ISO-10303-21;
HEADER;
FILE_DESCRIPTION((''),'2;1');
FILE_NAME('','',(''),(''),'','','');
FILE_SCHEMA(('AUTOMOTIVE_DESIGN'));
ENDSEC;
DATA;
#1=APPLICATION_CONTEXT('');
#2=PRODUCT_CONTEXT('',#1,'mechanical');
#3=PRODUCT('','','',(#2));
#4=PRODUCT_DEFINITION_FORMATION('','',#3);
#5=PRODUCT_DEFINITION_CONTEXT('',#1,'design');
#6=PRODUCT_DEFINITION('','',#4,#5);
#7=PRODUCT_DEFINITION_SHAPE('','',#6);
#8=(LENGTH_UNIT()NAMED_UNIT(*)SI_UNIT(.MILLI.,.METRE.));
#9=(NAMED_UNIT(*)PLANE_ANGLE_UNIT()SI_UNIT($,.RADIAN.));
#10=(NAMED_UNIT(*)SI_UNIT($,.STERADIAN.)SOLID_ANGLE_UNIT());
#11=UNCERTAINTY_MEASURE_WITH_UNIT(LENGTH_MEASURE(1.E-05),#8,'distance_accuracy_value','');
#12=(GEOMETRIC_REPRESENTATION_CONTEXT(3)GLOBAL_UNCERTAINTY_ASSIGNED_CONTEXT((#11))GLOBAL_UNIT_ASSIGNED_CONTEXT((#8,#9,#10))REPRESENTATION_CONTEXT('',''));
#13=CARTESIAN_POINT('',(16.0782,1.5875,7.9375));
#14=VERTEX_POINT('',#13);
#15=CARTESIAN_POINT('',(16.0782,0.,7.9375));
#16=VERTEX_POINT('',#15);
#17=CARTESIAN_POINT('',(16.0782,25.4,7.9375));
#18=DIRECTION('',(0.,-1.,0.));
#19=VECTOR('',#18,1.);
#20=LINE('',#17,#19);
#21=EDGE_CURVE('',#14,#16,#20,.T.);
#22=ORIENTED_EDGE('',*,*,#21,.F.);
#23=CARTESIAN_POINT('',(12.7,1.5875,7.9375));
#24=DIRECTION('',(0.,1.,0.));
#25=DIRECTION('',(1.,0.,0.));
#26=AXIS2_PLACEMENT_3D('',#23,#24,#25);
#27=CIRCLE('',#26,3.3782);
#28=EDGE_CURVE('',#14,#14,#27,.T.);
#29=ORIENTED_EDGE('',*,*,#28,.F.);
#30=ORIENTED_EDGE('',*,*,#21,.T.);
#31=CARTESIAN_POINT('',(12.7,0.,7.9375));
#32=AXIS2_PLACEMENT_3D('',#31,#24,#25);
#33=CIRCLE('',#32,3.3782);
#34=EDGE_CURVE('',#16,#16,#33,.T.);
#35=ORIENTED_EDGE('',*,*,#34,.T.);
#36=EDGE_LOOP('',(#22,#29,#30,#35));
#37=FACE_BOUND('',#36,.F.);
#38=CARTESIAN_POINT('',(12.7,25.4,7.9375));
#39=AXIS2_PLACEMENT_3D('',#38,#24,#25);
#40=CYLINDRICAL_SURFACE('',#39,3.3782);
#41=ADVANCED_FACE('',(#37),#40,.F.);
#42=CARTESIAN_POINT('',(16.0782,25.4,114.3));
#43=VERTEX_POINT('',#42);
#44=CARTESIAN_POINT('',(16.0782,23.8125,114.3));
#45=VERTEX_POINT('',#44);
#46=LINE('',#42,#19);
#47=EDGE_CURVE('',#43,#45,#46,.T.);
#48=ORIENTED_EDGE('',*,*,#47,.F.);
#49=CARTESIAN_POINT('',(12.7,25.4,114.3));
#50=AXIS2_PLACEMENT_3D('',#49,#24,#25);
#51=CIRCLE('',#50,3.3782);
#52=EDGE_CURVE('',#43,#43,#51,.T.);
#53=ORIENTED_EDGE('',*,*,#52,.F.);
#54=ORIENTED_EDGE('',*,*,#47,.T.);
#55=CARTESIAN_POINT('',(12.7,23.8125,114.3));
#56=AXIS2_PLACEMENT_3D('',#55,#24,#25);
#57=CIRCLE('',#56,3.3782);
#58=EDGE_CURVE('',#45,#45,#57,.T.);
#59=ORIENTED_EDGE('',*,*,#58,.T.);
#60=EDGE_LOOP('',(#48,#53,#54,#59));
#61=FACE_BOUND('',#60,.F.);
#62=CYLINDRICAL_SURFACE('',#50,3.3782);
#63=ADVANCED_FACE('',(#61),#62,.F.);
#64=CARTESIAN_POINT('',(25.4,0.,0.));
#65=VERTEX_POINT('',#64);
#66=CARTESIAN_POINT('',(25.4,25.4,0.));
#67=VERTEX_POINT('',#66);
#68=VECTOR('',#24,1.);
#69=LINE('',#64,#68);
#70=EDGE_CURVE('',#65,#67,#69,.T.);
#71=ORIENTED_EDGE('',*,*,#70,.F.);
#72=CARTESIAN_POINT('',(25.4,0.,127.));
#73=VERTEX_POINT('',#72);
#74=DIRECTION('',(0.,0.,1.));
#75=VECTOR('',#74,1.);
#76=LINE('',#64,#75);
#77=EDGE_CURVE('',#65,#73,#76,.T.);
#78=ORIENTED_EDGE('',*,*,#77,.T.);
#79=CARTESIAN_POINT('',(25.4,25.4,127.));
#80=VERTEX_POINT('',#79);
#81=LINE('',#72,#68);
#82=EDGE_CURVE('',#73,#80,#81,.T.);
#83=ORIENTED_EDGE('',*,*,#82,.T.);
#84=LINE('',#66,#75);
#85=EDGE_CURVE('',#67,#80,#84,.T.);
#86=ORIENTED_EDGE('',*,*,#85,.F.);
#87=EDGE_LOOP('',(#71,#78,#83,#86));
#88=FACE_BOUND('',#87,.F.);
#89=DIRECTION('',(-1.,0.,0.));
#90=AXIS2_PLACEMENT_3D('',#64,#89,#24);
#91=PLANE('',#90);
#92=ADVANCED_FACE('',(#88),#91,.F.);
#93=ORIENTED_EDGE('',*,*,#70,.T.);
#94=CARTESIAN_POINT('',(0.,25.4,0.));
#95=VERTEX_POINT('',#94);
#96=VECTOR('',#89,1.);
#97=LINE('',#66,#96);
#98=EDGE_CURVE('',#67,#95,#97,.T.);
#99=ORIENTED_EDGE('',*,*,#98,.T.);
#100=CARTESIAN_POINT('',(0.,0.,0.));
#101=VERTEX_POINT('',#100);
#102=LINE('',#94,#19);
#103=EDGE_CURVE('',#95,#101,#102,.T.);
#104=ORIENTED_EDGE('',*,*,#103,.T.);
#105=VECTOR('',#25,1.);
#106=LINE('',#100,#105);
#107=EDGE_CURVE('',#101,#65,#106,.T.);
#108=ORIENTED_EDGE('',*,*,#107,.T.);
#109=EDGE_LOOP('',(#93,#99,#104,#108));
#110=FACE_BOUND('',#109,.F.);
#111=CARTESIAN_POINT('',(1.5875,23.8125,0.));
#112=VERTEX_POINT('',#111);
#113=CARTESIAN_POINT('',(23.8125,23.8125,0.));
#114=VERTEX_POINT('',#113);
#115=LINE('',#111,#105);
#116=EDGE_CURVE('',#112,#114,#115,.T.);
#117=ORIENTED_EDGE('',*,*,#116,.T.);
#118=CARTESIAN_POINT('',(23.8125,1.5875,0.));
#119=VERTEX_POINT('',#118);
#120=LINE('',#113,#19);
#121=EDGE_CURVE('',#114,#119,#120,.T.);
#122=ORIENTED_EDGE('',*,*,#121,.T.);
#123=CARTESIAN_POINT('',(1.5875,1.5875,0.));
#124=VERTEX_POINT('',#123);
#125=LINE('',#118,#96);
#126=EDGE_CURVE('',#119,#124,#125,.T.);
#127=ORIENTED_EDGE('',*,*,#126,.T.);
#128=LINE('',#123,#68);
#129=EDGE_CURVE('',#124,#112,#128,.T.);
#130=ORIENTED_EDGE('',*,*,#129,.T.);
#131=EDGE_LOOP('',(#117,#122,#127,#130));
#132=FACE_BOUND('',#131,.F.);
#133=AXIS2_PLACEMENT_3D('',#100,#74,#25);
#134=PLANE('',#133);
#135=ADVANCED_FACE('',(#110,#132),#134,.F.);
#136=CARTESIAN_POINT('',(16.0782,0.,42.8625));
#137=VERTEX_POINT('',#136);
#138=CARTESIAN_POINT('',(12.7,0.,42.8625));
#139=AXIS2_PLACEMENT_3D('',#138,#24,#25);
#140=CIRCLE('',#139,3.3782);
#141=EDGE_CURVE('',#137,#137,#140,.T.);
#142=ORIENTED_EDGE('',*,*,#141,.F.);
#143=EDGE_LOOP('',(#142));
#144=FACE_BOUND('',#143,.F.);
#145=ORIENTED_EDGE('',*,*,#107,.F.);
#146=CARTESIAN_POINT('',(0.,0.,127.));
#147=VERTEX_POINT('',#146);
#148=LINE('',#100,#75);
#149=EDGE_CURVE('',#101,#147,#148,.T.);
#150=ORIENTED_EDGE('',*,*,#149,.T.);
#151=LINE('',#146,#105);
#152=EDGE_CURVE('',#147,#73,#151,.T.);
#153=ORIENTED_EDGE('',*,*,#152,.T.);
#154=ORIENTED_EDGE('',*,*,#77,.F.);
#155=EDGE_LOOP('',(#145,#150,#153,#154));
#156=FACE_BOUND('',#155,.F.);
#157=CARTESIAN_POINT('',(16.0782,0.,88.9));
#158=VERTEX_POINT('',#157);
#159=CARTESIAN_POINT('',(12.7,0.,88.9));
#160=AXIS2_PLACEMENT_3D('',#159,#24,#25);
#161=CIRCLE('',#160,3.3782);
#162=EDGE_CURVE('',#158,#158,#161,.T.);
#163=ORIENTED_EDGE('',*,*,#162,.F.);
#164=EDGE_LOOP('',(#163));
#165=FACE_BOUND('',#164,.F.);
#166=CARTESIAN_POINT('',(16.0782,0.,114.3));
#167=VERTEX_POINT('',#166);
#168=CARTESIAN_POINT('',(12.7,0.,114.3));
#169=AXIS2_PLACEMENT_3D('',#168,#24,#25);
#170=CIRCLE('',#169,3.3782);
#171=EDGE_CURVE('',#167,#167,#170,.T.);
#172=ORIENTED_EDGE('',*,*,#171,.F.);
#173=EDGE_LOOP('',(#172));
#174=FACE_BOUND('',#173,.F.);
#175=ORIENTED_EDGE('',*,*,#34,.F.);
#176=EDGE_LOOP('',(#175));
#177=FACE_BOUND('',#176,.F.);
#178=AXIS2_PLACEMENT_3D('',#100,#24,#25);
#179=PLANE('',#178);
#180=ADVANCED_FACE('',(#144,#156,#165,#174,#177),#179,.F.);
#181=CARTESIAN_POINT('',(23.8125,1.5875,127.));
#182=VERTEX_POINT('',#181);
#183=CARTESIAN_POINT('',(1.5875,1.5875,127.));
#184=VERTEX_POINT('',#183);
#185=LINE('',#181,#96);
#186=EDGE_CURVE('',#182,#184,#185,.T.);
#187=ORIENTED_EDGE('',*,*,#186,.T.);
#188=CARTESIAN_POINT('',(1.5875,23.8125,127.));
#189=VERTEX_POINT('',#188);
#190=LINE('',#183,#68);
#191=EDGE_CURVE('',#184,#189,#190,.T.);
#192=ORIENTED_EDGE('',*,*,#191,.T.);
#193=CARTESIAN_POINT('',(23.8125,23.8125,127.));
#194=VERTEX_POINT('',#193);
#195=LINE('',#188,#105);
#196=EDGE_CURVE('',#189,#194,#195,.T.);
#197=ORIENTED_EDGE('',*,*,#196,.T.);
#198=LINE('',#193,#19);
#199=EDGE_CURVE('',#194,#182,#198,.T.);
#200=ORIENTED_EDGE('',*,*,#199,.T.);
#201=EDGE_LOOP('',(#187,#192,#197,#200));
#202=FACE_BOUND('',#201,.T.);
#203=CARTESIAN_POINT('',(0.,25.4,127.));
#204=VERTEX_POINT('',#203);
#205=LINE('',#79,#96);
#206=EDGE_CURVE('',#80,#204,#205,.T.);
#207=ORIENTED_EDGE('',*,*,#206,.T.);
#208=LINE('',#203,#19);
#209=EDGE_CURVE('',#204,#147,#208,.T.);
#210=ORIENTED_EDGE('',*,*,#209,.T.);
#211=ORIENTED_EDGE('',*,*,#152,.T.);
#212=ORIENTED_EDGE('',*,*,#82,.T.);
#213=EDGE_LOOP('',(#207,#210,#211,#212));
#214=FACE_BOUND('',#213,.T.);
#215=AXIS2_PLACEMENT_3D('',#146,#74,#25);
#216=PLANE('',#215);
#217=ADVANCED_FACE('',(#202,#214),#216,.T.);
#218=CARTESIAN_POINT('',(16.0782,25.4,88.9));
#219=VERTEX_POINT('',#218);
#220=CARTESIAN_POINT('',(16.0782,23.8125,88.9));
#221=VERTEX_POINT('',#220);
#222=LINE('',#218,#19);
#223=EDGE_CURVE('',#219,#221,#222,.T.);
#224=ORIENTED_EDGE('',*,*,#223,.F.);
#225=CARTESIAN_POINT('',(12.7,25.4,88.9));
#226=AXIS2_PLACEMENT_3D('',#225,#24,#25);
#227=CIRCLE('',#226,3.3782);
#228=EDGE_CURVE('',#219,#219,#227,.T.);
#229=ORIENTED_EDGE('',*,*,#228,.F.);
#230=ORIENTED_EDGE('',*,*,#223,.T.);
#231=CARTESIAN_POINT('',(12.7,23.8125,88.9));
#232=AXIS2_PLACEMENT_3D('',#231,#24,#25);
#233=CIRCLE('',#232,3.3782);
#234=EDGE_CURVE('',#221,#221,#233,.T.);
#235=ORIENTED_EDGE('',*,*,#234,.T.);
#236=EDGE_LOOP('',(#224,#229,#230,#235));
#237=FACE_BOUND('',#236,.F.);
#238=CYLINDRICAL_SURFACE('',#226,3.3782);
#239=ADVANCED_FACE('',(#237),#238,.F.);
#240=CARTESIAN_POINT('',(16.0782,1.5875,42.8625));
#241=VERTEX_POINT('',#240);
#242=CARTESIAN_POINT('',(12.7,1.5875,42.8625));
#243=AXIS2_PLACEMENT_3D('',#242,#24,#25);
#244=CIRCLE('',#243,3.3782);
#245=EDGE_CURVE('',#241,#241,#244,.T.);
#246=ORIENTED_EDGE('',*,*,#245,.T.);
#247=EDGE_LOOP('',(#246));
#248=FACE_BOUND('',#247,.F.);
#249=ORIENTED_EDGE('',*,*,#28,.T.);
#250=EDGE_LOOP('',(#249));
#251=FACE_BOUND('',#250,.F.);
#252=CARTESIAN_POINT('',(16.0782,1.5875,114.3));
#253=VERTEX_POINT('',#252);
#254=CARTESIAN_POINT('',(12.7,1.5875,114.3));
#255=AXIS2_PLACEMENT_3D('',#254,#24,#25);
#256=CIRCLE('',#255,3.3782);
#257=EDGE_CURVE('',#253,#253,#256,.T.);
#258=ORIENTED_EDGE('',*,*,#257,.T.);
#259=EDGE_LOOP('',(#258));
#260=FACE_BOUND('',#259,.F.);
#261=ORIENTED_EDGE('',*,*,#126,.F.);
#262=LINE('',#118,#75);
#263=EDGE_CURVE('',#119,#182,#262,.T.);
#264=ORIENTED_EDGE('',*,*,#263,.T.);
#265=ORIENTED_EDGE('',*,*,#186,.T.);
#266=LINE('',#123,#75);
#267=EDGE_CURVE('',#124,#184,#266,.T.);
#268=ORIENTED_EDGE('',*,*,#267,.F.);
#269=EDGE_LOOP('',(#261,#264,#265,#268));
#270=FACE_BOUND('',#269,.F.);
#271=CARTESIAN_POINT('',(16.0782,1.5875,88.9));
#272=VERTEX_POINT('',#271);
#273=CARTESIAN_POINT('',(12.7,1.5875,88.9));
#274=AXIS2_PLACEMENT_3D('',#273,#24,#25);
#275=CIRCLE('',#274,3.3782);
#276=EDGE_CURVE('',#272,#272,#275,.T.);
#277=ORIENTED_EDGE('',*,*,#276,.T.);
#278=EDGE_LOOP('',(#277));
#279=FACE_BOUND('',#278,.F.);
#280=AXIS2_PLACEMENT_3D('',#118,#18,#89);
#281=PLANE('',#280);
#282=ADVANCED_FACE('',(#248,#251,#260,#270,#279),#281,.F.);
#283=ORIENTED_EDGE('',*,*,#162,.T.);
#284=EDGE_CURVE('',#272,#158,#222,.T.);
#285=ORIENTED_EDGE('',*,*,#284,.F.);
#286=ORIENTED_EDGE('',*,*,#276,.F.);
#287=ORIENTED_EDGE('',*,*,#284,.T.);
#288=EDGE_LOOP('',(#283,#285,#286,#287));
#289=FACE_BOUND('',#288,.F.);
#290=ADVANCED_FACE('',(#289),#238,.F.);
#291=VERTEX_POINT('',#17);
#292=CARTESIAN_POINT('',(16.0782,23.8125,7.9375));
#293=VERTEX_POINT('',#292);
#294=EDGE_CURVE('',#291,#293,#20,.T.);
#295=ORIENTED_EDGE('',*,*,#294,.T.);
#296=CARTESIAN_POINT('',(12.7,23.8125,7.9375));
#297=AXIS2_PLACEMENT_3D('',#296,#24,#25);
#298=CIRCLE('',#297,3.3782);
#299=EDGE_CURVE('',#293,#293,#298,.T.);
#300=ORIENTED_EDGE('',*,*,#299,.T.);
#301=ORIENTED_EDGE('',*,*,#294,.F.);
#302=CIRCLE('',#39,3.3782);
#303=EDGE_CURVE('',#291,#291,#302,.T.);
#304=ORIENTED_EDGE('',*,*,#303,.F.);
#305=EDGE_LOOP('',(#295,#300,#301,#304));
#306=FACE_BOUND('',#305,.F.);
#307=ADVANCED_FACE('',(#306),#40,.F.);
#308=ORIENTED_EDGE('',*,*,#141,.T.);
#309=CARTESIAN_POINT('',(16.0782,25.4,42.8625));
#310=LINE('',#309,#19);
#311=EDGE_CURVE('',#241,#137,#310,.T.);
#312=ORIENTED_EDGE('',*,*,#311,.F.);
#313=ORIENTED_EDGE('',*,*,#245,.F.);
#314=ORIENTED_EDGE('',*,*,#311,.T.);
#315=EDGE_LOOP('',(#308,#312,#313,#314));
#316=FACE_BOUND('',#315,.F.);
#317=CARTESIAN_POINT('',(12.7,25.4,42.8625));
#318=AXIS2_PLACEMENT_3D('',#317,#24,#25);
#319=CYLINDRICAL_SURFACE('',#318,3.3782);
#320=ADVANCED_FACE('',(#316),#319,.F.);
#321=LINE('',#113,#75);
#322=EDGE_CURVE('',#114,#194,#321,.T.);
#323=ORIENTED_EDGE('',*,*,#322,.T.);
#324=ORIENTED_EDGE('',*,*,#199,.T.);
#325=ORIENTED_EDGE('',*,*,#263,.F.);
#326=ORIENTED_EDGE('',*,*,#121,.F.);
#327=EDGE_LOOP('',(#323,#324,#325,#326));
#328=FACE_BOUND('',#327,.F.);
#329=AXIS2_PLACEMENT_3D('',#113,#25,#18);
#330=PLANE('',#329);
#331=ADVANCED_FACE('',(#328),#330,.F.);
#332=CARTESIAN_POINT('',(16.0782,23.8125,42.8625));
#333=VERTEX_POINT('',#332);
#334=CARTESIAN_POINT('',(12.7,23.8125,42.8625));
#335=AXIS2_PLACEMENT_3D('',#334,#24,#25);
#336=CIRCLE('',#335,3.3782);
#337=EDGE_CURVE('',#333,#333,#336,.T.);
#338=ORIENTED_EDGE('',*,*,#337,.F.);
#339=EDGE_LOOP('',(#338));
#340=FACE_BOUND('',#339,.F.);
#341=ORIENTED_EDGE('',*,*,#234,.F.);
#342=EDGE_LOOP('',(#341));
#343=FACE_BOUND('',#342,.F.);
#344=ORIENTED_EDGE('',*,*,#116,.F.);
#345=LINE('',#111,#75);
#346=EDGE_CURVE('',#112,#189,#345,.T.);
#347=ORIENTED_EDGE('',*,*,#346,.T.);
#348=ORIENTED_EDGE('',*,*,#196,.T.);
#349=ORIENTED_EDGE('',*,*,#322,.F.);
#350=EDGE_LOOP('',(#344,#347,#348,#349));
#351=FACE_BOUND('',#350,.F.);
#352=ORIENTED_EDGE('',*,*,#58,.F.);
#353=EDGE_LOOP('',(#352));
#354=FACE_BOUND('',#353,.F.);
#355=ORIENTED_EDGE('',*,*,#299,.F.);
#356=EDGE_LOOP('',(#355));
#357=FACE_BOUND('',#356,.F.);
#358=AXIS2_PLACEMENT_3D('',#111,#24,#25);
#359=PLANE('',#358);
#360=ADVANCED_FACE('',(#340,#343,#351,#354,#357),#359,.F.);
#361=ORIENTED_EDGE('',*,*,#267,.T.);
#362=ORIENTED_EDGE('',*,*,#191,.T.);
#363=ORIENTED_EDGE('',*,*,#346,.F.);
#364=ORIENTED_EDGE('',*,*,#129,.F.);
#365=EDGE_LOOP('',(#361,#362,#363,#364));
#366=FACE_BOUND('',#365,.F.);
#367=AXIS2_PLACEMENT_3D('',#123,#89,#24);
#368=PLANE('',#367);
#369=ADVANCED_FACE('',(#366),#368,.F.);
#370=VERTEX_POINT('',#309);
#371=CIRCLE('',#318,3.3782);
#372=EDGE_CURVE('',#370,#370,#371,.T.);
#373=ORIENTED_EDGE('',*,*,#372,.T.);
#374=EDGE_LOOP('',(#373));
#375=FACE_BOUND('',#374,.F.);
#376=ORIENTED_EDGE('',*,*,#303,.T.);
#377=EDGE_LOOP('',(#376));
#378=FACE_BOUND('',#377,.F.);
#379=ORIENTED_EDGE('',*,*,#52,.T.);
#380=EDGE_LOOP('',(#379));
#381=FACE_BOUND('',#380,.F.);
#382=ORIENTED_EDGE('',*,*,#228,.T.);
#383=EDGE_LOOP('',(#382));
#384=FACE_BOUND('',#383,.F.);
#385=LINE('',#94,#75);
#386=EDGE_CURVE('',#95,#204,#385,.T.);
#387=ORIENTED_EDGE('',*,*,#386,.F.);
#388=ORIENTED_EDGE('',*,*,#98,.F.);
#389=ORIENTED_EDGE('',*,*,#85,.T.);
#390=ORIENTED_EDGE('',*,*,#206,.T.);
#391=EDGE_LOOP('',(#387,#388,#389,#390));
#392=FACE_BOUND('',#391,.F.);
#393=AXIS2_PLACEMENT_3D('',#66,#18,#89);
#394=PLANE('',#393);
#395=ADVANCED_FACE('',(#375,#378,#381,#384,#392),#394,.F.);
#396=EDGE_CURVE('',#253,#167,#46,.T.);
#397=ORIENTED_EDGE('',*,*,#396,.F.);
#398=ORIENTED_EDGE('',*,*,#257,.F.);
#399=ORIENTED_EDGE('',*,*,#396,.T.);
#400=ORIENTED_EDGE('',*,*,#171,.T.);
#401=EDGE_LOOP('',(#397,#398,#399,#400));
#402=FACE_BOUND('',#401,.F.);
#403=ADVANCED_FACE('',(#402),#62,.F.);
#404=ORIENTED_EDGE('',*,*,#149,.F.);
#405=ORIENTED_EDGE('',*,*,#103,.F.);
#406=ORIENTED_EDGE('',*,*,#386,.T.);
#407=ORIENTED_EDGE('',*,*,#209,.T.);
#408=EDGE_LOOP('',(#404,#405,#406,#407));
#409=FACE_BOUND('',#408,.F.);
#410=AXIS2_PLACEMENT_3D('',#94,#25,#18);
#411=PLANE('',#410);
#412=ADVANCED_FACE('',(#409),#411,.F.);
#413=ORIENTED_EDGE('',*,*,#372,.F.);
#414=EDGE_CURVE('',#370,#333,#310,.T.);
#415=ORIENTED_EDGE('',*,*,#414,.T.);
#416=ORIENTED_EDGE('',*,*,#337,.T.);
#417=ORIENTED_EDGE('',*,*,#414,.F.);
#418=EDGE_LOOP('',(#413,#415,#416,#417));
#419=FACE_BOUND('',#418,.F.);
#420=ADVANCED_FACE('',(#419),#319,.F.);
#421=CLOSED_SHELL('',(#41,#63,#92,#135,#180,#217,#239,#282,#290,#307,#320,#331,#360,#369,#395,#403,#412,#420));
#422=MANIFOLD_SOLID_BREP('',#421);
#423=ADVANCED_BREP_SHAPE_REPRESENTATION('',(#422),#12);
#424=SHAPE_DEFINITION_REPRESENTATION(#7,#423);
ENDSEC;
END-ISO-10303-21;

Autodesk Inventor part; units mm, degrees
ref_plane "YZ Plane" through (0, 0, 0) normal (1, 0, 0) x (0, 1, 0)
ref_plane "XZ Plane" through (0, 0, 0) normal (0, 1, 0) x (-1, 0, 0)
ref_plane "XY Plane" through (0, 0, 0) normal (0, 0, 1) x (1, 0, 0)
sketch "Sketch1" plane through (0, 0, 0) normal (0, 0, 1) x (1, 0, 0)
  line L0 (0, 0) -> (25.4, 0)
  line L1 (25.4, 0) -> (25.4, 25.4)
  line L2 (25.4, 25.4) -> (0, 25.4)
  line L3 (0, 25.4) -> (0, 0)
  line L4 (1.5875, 23.8125) -> (23.8125, 23.8125)
  line L5 (23.8125, 23.8125) -> (23.8125, 1.5875)
  line L6 (23.8125, 1.5875) -> (1.5875, 1.5875)
  line L7 (1.5875, 1.5875) -> (1.5875, 23.8125)
  dimension "d0" = 25.4
  dimension "d1" = 25.4
  dimension "d2" = 1.5875
extrude "Extrusion1" add sketch "Sketch1" along normal blind 127
sketch "Sketch2" plane through (0, 25.4, 0) normal (0, 1, 0) x (1, 0, 0)
  line L0 (25.4, 0) -> (0, 0) projected
  line L1 (0, 0) -> (0, -127) projected
  line L2 (25.4, 0) -> (25.4, -127) projected
  circle A0 centre (12.7, -7.9375) radius 3.3782
  circle A1 centre (12.7, -42.8625) radius 3.3782
  circle A2 centre (12.7, -88.9) radius 3.3782
  circle A3 centre (12.7, -114.3) radius 3.3782
  dimension "d5" = 6.7564
  dimension "d6" = 7.9375
  dimension "d7" = 12.7
  dimension "d10" = 34.925
  dimension "d17" = 12.7
  dimension "d18" = 46.0375
  dimension "d21" = 25.4
extrude "Extrusion2" cut sketch "Sketch2" against normal blind 101.6
properties part number "Square Tube 1-16 thick Support" material "Aluminum 6061"
